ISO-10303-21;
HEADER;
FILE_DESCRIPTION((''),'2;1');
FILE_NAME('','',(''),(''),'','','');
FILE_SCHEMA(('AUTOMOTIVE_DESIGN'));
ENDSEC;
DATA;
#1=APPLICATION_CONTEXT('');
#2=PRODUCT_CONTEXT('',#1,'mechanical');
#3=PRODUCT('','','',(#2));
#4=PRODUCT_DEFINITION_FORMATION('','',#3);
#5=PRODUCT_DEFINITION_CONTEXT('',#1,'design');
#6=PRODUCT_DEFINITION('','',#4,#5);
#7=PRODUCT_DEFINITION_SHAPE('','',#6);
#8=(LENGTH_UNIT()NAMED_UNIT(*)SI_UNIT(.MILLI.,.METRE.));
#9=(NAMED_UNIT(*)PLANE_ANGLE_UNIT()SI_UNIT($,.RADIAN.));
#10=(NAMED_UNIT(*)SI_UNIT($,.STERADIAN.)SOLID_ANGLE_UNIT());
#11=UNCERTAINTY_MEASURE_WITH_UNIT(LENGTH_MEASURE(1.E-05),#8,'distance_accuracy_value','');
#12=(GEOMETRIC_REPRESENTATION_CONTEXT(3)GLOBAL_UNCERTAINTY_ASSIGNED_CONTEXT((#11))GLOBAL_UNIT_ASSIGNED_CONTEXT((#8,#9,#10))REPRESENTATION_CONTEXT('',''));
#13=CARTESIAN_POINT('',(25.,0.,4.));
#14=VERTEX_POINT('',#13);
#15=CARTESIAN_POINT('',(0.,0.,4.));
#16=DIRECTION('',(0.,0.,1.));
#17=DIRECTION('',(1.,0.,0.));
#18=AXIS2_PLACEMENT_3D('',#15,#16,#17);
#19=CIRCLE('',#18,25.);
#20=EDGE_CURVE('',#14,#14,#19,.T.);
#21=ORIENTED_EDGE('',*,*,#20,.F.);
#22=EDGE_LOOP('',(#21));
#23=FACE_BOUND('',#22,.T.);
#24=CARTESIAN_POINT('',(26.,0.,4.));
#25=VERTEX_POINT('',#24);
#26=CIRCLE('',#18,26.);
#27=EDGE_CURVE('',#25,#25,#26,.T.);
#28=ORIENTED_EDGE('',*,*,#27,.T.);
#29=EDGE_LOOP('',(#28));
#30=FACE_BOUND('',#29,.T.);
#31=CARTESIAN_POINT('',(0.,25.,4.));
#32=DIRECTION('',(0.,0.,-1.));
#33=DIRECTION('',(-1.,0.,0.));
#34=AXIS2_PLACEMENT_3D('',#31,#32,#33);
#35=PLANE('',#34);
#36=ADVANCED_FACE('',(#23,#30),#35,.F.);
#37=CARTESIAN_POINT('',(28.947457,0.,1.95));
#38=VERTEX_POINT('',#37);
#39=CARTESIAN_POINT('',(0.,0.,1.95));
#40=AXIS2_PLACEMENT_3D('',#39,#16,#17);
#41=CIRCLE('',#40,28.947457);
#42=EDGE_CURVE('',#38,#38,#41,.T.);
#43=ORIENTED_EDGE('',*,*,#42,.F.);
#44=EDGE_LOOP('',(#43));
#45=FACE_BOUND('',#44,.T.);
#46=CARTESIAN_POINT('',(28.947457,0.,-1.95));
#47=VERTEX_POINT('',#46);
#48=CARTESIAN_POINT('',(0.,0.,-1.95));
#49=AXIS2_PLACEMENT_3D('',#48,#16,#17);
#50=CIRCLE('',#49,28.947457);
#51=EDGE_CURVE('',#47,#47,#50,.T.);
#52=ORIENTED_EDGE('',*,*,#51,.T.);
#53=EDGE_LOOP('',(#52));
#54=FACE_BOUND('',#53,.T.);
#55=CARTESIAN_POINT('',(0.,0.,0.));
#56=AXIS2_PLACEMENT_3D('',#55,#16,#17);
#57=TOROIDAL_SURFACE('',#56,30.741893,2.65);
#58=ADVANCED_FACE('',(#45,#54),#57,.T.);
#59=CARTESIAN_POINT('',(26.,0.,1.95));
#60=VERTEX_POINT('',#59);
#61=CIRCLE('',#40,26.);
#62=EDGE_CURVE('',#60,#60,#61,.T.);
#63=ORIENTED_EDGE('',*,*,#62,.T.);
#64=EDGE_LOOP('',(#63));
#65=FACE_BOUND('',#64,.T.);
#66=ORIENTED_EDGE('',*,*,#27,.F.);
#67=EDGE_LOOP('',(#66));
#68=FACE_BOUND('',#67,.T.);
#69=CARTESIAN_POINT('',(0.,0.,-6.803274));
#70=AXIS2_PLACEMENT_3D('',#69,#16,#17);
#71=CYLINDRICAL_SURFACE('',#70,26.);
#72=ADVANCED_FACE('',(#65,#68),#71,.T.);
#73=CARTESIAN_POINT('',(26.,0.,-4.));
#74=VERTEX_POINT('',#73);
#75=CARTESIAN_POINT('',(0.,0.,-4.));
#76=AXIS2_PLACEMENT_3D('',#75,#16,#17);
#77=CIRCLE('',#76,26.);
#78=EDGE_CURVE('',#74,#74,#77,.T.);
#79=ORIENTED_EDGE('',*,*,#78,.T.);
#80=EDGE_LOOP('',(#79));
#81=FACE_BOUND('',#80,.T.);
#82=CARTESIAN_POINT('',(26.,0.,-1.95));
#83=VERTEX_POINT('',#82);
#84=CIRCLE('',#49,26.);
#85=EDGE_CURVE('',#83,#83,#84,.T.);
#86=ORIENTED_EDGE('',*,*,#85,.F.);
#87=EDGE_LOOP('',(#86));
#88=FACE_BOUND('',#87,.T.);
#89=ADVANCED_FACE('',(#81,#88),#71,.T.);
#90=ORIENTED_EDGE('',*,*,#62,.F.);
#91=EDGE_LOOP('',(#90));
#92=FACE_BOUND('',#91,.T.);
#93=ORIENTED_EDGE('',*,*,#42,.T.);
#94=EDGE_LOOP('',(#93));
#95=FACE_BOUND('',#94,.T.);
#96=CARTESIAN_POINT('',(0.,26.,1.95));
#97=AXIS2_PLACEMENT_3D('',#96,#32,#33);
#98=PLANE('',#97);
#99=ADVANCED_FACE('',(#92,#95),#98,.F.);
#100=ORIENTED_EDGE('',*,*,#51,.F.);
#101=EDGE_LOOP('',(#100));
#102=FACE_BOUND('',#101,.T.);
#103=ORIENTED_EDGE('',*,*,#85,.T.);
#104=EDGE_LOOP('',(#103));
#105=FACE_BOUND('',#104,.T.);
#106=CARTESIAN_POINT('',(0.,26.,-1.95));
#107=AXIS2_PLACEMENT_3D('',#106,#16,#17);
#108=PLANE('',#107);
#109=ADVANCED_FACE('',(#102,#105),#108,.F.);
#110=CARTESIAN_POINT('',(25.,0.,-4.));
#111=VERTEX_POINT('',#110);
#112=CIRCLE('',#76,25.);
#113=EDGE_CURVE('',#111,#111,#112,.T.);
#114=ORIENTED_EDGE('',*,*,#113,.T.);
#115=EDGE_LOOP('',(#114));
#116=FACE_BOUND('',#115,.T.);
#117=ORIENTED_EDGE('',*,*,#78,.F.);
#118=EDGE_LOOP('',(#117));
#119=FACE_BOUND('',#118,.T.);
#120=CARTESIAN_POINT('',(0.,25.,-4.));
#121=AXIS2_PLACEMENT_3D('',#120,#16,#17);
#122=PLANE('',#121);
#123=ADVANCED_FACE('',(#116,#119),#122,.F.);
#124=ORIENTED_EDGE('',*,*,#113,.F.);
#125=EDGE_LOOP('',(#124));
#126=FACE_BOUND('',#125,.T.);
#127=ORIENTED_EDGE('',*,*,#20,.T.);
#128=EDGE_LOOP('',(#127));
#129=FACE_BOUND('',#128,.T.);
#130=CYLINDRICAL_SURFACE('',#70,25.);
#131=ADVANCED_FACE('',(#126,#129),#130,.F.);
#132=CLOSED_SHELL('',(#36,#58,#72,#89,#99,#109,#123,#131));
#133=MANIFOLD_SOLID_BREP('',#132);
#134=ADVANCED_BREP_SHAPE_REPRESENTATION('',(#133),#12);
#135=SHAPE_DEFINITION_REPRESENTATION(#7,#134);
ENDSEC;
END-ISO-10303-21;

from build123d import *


with BuildPart() as part:
    # Sketch1 → Revolve1 (revolve)
    with BuildSketch(Plane(origin=(0, 0, 0), x_dir=(0, 0, -1), z_dir=(1, 0, 0)), mode=Mode.PRIVATE) as revolve1_sk:
        with BuildLine():
            Line((-4, 25), (4, 25))
            Line((4, 25), (4, 26))
            Line((4, 26), (1.95, 26))
            Line((1.95, 26), (1.95, 28.94745668))
            ThreePointArc((1.95, 28.94745668), (0, 33.391892525), (-1.95, 28.94745668))
            Line((-1.95, 28.94745668), (-1.95, 26))
            Line((-1.95, 26), (-4, 26))
            Line((-4, 26), (-4, 25))
        make_face()
    revolve(revolve1_sk.sketch.rotate(Axis((0, 0, -6.803273839), (0, 0, -1)), 90), axis=Axis((0, 0, -6.803273839), (0, 0, -1)))


solid = part.part
